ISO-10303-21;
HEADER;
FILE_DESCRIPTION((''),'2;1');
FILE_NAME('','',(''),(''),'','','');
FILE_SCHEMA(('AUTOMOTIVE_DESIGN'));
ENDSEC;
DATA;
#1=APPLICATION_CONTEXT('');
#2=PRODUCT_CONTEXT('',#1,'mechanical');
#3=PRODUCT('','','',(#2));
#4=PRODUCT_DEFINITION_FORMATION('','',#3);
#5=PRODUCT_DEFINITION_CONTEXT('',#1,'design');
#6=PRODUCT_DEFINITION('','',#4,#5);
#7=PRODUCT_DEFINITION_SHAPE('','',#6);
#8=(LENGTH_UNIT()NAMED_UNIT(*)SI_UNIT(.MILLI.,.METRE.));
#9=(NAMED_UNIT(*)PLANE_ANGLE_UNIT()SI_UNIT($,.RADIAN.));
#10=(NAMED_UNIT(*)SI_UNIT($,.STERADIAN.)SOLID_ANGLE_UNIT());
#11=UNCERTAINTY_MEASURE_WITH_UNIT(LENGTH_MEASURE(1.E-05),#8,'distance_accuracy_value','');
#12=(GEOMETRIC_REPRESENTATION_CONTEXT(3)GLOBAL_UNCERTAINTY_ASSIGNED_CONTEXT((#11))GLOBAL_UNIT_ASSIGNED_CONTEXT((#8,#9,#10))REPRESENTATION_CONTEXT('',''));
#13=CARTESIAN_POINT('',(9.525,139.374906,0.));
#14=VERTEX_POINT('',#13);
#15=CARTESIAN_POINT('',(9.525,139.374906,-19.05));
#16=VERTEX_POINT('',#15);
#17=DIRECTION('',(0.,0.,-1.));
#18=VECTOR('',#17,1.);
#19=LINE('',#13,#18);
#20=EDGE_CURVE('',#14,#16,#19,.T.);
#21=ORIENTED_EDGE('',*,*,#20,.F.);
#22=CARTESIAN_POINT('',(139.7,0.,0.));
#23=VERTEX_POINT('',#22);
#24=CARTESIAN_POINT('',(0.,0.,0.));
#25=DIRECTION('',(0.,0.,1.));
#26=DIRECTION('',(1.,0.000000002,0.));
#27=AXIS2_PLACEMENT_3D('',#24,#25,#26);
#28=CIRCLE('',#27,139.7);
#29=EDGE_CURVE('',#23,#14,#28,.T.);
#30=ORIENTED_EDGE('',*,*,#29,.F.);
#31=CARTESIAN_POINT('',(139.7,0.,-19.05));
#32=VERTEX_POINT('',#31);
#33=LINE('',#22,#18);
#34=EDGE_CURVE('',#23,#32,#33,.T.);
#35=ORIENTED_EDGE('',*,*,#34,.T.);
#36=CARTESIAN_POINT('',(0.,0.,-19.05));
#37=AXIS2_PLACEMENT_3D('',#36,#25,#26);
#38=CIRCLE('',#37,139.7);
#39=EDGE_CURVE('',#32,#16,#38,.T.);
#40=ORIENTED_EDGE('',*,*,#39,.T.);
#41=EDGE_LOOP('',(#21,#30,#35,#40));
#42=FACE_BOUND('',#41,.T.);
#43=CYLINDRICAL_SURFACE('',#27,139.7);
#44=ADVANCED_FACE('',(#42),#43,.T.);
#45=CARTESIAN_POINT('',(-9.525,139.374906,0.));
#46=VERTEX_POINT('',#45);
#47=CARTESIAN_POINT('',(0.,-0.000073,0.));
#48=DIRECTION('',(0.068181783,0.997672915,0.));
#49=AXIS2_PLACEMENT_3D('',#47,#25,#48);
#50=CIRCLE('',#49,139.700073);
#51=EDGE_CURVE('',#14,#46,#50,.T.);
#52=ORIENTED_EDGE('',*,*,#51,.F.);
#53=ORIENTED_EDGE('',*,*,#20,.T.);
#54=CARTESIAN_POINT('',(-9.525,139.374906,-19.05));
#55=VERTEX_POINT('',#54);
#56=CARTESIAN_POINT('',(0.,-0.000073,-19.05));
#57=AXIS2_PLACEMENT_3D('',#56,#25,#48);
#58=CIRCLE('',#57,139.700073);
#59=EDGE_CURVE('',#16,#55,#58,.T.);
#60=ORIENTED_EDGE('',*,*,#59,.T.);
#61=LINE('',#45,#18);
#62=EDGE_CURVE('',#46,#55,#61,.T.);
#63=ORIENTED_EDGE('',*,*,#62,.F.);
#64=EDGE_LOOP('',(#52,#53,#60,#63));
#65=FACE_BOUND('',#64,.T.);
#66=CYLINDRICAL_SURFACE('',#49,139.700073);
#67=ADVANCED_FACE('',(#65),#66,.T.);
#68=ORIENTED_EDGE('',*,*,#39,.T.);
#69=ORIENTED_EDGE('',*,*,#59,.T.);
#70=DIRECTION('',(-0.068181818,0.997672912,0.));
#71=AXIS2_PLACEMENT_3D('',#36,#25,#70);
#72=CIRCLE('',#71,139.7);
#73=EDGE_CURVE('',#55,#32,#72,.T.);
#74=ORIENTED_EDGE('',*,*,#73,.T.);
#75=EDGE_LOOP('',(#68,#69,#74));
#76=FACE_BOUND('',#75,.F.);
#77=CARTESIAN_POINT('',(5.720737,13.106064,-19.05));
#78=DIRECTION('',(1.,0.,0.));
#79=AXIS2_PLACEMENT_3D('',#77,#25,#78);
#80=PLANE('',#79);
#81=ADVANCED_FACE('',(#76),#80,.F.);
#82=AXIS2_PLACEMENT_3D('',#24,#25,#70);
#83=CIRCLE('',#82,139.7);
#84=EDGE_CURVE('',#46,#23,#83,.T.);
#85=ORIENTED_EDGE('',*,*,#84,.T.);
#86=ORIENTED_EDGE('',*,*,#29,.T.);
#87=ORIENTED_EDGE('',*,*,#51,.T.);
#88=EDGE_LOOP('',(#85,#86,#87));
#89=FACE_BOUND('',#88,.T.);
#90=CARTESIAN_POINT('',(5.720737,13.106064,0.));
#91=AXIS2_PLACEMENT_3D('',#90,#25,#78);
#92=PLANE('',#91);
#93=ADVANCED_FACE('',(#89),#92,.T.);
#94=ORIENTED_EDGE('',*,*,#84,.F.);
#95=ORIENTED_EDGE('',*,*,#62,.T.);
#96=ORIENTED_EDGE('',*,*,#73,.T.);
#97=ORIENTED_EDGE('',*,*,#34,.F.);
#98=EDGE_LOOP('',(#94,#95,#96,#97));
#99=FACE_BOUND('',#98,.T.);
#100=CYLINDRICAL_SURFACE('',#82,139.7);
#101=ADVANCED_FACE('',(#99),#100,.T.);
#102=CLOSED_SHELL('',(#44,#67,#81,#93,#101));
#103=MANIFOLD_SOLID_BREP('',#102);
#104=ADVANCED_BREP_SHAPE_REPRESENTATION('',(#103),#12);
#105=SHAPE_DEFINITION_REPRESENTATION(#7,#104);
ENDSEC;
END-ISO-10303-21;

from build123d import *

# Parameters (mm, degrees)
F0_R     = 17.4625
F0_W     = 19.05
F0_H     = 6.35
F1_DEPTH = 19.05


with BuildPart() as f1:
    # F0 (on Top) → F1 (new body)
    with BuildSketch(Plane.XY):
        with BuildLine():
            ThreePointArc((-9.525, 139.374906), (-95.355775, -102.094888), (139.7, 0))
            ThreePointArc((139.7, 0), (102.094888, 95.355775), (9.525, 139.374906))
            Line((9.525, 139.374906), (9.525, 120.324906))
            Line((9.525, 120.324906), (9.525, 113.974906))
            Line((9.525, 113.974906), (-9.525, 113.974906))
            Line((-9.525, 113.974906), (-9.525, 120.324906))
            Line((-9.525, 120.324906), (-9.525, 139.374906))
        make_face()
        with Locations((101.439818, 36.921074)):
            Circle(F0_R, mode=Mode.SUBTRACT)
        with Locations((36.921074, 101.439818)):
            Circle(F0_R, mode=Mode.SUBTRACT)
        with Locations((76.332177, 76.332177)):
            Circle(F0_R, mode=Mode.SUBTRACT)
        with BuildLine():
            Line((9.525, 120.324906), (9.525, 139.374906))
            ThreePointArc((9.525, 139.374906), (0, 139.7), (-9.525, 139.374906))
            Line((-9.525, 139.374906), (-9.525, 120.324906))
            Line((-9.525, 120.324906), (9.525, 120.324906))
        make_face()
        with Locations((36.921074, 101.439818)):
            Circle(F0_R)
        with Locations((76.332177, 76.332177)):
            Circle(F0_R)
        with Locations((101.439818, 36.921074)):
            Circle(F0_R)
        with Locations((0, 117.149906)):
            Rectangle(F0_W, F0_H)
    extrude(amount=-F1_DEPTH)


solid = f1.part
